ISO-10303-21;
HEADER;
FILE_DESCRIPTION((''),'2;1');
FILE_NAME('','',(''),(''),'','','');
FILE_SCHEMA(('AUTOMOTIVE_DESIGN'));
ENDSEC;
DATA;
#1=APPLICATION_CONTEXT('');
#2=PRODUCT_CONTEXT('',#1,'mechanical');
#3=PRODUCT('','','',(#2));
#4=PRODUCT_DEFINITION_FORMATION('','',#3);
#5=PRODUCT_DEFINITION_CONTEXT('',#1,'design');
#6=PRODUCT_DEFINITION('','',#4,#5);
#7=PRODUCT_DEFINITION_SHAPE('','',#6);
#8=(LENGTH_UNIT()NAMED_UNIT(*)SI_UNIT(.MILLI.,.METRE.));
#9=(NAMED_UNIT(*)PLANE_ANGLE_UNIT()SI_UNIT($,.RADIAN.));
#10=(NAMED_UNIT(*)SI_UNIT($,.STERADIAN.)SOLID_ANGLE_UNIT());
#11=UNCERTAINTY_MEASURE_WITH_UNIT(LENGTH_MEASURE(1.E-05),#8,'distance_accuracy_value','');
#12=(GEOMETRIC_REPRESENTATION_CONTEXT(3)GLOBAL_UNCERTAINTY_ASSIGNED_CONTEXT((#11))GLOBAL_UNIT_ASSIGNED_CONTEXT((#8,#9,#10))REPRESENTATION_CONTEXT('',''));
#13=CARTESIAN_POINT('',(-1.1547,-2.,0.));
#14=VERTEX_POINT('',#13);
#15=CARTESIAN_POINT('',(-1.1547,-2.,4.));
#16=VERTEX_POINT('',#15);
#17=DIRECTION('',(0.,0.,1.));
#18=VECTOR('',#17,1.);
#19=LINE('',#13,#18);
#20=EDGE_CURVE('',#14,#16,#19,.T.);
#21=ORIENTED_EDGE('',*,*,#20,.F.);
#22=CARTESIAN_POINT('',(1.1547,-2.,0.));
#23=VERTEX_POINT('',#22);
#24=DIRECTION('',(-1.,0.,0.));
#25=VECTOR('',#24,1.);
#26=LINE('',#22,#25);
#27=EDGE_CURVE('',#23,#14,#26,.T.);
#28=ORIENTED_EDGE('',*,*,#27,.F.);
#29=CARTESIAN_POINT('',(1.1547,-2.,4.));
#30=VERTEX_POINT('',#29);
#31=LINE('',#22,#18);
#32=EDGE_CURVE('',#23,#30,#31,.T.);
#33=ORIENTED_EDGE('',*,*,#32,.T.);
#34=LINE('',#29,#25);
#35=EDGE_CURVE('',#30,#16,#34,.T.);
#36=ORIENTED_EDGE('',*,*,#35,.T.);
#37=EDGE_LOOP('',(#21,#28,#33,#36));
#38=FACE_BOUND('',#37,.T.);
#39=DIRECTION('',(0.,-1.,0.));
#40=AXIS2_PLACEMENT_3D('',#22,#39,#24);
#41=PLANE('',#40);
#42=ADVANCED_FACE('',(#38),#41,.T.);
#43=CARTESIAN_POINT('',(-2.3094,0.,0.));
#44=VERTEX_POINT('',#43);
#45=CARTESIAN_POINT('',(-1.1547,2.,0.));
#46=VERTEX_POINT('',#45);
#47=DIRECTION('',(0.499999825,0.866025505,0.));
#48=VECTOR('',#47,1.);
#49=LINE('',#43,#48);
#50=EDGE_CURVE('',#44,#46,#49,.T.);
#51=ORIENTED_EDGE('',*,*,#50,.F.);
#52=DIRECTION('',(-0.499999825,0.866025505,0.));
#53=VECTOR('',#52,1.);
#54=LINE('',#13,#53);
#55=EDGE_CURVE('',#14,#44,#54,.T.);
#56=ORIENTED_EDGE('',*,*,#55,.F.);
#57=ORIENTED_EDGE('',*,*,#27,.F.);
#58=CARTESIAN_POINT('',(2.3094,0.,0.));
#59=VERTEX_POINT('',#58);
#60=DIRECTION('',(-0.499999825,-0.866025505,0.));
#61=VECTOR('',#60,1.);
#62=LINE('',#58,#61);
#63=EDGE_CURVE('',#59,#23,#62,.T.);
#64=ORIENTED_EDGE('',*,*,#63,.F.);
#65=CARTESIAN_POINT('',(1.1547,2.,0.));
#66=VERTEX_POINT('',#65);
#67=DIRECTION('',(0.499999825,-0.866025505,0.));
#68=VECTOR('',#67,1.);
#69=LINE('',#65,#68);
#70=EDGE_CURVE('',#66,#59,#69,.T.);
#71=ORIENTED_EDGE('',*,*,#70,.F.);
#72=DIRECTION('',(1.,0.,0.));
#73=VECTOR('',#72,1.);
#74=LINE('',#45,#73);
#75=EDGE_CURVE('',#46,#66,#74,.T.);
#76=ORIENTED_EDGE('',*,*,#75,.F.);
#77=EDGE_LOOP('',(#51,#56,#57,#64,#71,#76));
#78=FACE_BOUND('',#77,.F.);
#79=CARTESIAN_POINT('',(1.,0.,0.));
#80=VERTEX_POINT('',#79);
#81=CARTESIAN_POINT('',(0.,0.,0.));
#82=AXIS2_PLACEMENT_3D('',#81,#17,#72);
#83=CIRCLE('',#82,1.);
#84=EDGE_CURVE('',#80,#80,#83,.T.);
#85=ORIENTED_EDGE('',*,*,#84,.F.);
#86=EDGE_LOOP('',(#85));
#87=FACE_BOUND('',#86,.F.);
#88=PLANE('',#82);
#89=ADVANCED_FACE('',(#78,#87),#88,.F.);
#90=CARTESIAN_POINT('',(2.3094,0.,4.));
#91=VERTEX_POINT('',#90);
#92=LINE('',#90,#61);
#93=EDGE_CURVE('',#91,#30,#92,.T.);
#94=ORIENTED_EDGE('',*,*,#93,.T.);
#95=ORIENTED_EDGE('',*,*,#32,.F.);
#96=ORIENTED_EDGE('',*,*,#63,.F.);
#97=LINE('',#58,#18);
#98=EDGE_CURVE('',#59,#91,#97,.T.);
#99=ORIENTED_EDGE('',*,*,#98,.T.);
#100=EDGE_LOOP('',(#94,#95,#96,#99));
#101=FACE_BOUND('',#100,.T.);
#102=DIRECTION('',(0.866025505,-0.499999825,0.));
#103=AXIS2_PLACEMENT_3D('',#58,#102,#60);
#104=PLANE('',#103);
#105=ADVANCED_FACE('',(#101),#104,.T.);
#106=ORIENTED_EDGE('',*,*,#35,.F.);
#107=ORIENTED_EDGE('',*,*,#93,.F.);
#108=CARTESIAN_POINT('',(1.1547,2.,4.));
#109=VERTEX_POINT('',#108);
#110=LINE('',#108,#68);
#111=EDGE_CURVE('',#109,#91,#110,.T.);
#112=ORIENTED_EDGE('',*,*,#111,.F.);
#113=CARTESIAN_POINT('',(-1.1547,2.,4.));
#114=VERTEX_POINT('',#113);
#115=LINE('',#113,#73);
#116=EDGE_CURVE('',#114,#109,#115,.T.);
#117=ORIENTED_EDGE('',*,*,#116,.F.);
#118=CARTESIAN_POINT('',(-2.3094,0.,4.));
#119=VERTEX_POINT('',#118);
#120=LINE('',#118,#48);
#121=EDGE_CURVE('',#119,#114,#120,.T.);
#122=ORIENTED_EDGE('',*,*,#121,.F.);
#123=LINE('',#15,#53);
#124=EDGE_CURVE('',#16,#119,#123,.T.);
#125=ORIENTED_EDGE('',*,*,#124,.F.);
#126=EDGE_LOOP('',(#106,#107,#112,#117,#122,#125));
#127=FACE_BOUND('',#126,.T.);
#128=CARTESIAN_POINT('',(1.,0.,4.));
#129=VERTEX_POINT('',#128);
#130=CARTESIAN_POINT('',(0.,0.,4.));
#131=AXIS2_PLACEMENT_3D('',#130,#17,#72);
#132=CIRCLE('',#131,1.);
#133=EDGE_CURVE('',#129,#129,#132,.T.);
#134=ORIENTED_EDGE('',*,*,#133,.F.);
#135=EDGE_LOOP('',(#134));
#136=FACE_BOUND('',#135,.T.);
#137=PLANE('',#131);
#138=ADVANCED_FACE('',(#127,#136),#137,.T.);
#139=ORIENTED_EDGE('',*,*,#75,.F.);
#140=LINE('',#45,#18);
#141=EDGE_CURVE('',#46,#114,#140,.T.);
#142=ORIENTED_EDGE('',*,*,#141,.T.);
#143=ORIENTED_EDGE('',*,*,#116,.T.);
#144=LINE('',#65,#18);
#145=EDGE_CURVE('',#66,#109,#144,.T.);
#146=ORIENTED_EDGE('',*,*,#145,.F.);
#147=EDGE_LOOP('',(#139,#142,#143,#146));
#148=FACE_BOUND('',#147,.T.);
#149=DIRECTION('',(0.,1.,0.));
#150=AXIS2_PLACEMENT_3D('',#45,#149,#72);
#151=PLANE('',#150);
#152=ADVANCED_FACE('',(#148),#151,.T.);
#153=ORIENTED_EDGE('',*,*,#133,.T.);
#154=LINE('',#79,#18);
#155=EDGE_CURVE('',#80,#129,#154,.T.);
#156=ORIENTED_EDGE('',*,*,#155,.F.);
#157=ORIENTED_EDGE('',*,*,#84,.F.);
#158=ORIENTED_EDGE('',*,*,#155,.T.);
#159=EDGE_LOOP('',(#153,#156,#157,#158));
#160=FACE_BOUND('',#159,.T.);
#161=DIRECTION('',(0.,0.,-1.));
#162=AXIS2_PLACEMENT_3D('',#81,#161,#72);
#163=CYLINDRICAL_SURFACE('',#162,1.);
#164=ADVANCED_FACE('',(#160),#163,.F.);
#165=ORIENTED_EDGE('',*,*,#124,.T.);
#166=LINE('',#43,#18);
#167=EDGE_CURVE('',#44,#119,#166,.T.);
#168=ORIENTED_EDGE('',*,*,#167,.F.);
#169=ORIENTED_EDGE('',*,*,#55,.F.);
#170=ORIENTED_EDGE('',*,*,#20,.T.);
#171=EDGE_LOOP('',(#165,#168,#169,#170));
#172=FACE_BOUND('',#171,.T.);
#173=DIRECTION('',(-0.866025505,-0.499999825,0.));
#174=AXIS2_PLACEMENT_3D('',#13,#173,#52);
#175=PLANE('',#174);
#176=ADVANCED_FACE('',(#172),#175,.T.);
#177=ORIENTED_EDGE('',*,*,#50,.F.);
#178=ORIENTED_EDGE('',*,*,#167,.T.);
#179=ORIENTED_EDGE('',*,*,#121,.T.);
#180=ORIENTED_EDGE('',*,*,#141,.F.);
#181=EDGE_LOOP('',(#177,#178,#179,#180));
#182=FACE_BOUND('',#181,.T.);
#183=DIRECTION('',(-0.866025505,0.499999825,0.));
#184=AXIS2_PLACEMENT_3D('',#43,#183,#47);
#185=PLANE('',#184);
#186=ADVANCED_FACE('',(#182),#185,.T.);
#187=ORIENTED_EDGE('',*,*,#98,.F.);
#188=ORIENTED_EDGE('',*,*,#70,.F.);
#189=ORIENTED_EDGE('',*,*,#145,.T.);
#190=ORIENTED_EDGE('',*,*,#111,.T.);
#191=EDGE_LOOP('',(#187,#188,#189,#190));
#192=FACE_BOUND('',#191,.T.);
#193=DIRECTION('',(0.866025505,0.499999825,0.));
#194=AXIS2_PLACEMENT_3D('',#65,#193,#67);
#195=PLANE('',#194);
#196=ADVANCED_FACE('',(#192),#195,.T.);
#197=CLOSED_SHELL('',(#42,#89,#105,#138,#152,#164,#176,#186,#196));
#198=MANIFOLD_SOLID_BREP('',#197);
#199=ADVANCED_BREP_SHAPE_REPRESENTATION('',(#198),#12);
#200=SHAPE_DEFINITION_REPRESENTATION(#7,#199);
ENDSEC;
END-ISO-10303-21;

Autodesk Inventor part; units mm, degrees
ref_plane "YZ Plane" through (0, 0, 0) normal (1, 0, 0) x (0, 1, 0)
ref_plane "XZ Plane" through (0, 0, 0) normal (0, 1, 0) x (-1, 0, 0)
ref_plane "XY Plane" through (0, 0, 0) normal (0, 0, 1) x (1, 0, 0)
sketch "スケッチ1" plane through (0, 0, 0) normal (0, 0, 1) x (1, 0, 0)
  line L0 (1.1547, 2) -> (2.3094, 0)
  line L1 (2.3094, 0) -> (1.1547, -2)
  line L2 (1.1547, -2) -> (-1.1547, -2)
  line L3 (-1.1547, -2) -> (-2.3094, 0)
  line L4 (-2.3094, 0) -> (-1.1547, 2)
  line L5 (-1.1547, 2) -> (1.1547, 2)
  circle A0 centre (0, 0) radius 1
  line L6 (0, 0) -> (0, 0.4012)
  line L7 (0, 0) -> (0.3399, 0)
  dimension "d0" = 2
  dimension "d1" = 4
extrude "押し出し1" add sketch "スケッチ1" along normal blind 4
properties part number "spacer_m2"
